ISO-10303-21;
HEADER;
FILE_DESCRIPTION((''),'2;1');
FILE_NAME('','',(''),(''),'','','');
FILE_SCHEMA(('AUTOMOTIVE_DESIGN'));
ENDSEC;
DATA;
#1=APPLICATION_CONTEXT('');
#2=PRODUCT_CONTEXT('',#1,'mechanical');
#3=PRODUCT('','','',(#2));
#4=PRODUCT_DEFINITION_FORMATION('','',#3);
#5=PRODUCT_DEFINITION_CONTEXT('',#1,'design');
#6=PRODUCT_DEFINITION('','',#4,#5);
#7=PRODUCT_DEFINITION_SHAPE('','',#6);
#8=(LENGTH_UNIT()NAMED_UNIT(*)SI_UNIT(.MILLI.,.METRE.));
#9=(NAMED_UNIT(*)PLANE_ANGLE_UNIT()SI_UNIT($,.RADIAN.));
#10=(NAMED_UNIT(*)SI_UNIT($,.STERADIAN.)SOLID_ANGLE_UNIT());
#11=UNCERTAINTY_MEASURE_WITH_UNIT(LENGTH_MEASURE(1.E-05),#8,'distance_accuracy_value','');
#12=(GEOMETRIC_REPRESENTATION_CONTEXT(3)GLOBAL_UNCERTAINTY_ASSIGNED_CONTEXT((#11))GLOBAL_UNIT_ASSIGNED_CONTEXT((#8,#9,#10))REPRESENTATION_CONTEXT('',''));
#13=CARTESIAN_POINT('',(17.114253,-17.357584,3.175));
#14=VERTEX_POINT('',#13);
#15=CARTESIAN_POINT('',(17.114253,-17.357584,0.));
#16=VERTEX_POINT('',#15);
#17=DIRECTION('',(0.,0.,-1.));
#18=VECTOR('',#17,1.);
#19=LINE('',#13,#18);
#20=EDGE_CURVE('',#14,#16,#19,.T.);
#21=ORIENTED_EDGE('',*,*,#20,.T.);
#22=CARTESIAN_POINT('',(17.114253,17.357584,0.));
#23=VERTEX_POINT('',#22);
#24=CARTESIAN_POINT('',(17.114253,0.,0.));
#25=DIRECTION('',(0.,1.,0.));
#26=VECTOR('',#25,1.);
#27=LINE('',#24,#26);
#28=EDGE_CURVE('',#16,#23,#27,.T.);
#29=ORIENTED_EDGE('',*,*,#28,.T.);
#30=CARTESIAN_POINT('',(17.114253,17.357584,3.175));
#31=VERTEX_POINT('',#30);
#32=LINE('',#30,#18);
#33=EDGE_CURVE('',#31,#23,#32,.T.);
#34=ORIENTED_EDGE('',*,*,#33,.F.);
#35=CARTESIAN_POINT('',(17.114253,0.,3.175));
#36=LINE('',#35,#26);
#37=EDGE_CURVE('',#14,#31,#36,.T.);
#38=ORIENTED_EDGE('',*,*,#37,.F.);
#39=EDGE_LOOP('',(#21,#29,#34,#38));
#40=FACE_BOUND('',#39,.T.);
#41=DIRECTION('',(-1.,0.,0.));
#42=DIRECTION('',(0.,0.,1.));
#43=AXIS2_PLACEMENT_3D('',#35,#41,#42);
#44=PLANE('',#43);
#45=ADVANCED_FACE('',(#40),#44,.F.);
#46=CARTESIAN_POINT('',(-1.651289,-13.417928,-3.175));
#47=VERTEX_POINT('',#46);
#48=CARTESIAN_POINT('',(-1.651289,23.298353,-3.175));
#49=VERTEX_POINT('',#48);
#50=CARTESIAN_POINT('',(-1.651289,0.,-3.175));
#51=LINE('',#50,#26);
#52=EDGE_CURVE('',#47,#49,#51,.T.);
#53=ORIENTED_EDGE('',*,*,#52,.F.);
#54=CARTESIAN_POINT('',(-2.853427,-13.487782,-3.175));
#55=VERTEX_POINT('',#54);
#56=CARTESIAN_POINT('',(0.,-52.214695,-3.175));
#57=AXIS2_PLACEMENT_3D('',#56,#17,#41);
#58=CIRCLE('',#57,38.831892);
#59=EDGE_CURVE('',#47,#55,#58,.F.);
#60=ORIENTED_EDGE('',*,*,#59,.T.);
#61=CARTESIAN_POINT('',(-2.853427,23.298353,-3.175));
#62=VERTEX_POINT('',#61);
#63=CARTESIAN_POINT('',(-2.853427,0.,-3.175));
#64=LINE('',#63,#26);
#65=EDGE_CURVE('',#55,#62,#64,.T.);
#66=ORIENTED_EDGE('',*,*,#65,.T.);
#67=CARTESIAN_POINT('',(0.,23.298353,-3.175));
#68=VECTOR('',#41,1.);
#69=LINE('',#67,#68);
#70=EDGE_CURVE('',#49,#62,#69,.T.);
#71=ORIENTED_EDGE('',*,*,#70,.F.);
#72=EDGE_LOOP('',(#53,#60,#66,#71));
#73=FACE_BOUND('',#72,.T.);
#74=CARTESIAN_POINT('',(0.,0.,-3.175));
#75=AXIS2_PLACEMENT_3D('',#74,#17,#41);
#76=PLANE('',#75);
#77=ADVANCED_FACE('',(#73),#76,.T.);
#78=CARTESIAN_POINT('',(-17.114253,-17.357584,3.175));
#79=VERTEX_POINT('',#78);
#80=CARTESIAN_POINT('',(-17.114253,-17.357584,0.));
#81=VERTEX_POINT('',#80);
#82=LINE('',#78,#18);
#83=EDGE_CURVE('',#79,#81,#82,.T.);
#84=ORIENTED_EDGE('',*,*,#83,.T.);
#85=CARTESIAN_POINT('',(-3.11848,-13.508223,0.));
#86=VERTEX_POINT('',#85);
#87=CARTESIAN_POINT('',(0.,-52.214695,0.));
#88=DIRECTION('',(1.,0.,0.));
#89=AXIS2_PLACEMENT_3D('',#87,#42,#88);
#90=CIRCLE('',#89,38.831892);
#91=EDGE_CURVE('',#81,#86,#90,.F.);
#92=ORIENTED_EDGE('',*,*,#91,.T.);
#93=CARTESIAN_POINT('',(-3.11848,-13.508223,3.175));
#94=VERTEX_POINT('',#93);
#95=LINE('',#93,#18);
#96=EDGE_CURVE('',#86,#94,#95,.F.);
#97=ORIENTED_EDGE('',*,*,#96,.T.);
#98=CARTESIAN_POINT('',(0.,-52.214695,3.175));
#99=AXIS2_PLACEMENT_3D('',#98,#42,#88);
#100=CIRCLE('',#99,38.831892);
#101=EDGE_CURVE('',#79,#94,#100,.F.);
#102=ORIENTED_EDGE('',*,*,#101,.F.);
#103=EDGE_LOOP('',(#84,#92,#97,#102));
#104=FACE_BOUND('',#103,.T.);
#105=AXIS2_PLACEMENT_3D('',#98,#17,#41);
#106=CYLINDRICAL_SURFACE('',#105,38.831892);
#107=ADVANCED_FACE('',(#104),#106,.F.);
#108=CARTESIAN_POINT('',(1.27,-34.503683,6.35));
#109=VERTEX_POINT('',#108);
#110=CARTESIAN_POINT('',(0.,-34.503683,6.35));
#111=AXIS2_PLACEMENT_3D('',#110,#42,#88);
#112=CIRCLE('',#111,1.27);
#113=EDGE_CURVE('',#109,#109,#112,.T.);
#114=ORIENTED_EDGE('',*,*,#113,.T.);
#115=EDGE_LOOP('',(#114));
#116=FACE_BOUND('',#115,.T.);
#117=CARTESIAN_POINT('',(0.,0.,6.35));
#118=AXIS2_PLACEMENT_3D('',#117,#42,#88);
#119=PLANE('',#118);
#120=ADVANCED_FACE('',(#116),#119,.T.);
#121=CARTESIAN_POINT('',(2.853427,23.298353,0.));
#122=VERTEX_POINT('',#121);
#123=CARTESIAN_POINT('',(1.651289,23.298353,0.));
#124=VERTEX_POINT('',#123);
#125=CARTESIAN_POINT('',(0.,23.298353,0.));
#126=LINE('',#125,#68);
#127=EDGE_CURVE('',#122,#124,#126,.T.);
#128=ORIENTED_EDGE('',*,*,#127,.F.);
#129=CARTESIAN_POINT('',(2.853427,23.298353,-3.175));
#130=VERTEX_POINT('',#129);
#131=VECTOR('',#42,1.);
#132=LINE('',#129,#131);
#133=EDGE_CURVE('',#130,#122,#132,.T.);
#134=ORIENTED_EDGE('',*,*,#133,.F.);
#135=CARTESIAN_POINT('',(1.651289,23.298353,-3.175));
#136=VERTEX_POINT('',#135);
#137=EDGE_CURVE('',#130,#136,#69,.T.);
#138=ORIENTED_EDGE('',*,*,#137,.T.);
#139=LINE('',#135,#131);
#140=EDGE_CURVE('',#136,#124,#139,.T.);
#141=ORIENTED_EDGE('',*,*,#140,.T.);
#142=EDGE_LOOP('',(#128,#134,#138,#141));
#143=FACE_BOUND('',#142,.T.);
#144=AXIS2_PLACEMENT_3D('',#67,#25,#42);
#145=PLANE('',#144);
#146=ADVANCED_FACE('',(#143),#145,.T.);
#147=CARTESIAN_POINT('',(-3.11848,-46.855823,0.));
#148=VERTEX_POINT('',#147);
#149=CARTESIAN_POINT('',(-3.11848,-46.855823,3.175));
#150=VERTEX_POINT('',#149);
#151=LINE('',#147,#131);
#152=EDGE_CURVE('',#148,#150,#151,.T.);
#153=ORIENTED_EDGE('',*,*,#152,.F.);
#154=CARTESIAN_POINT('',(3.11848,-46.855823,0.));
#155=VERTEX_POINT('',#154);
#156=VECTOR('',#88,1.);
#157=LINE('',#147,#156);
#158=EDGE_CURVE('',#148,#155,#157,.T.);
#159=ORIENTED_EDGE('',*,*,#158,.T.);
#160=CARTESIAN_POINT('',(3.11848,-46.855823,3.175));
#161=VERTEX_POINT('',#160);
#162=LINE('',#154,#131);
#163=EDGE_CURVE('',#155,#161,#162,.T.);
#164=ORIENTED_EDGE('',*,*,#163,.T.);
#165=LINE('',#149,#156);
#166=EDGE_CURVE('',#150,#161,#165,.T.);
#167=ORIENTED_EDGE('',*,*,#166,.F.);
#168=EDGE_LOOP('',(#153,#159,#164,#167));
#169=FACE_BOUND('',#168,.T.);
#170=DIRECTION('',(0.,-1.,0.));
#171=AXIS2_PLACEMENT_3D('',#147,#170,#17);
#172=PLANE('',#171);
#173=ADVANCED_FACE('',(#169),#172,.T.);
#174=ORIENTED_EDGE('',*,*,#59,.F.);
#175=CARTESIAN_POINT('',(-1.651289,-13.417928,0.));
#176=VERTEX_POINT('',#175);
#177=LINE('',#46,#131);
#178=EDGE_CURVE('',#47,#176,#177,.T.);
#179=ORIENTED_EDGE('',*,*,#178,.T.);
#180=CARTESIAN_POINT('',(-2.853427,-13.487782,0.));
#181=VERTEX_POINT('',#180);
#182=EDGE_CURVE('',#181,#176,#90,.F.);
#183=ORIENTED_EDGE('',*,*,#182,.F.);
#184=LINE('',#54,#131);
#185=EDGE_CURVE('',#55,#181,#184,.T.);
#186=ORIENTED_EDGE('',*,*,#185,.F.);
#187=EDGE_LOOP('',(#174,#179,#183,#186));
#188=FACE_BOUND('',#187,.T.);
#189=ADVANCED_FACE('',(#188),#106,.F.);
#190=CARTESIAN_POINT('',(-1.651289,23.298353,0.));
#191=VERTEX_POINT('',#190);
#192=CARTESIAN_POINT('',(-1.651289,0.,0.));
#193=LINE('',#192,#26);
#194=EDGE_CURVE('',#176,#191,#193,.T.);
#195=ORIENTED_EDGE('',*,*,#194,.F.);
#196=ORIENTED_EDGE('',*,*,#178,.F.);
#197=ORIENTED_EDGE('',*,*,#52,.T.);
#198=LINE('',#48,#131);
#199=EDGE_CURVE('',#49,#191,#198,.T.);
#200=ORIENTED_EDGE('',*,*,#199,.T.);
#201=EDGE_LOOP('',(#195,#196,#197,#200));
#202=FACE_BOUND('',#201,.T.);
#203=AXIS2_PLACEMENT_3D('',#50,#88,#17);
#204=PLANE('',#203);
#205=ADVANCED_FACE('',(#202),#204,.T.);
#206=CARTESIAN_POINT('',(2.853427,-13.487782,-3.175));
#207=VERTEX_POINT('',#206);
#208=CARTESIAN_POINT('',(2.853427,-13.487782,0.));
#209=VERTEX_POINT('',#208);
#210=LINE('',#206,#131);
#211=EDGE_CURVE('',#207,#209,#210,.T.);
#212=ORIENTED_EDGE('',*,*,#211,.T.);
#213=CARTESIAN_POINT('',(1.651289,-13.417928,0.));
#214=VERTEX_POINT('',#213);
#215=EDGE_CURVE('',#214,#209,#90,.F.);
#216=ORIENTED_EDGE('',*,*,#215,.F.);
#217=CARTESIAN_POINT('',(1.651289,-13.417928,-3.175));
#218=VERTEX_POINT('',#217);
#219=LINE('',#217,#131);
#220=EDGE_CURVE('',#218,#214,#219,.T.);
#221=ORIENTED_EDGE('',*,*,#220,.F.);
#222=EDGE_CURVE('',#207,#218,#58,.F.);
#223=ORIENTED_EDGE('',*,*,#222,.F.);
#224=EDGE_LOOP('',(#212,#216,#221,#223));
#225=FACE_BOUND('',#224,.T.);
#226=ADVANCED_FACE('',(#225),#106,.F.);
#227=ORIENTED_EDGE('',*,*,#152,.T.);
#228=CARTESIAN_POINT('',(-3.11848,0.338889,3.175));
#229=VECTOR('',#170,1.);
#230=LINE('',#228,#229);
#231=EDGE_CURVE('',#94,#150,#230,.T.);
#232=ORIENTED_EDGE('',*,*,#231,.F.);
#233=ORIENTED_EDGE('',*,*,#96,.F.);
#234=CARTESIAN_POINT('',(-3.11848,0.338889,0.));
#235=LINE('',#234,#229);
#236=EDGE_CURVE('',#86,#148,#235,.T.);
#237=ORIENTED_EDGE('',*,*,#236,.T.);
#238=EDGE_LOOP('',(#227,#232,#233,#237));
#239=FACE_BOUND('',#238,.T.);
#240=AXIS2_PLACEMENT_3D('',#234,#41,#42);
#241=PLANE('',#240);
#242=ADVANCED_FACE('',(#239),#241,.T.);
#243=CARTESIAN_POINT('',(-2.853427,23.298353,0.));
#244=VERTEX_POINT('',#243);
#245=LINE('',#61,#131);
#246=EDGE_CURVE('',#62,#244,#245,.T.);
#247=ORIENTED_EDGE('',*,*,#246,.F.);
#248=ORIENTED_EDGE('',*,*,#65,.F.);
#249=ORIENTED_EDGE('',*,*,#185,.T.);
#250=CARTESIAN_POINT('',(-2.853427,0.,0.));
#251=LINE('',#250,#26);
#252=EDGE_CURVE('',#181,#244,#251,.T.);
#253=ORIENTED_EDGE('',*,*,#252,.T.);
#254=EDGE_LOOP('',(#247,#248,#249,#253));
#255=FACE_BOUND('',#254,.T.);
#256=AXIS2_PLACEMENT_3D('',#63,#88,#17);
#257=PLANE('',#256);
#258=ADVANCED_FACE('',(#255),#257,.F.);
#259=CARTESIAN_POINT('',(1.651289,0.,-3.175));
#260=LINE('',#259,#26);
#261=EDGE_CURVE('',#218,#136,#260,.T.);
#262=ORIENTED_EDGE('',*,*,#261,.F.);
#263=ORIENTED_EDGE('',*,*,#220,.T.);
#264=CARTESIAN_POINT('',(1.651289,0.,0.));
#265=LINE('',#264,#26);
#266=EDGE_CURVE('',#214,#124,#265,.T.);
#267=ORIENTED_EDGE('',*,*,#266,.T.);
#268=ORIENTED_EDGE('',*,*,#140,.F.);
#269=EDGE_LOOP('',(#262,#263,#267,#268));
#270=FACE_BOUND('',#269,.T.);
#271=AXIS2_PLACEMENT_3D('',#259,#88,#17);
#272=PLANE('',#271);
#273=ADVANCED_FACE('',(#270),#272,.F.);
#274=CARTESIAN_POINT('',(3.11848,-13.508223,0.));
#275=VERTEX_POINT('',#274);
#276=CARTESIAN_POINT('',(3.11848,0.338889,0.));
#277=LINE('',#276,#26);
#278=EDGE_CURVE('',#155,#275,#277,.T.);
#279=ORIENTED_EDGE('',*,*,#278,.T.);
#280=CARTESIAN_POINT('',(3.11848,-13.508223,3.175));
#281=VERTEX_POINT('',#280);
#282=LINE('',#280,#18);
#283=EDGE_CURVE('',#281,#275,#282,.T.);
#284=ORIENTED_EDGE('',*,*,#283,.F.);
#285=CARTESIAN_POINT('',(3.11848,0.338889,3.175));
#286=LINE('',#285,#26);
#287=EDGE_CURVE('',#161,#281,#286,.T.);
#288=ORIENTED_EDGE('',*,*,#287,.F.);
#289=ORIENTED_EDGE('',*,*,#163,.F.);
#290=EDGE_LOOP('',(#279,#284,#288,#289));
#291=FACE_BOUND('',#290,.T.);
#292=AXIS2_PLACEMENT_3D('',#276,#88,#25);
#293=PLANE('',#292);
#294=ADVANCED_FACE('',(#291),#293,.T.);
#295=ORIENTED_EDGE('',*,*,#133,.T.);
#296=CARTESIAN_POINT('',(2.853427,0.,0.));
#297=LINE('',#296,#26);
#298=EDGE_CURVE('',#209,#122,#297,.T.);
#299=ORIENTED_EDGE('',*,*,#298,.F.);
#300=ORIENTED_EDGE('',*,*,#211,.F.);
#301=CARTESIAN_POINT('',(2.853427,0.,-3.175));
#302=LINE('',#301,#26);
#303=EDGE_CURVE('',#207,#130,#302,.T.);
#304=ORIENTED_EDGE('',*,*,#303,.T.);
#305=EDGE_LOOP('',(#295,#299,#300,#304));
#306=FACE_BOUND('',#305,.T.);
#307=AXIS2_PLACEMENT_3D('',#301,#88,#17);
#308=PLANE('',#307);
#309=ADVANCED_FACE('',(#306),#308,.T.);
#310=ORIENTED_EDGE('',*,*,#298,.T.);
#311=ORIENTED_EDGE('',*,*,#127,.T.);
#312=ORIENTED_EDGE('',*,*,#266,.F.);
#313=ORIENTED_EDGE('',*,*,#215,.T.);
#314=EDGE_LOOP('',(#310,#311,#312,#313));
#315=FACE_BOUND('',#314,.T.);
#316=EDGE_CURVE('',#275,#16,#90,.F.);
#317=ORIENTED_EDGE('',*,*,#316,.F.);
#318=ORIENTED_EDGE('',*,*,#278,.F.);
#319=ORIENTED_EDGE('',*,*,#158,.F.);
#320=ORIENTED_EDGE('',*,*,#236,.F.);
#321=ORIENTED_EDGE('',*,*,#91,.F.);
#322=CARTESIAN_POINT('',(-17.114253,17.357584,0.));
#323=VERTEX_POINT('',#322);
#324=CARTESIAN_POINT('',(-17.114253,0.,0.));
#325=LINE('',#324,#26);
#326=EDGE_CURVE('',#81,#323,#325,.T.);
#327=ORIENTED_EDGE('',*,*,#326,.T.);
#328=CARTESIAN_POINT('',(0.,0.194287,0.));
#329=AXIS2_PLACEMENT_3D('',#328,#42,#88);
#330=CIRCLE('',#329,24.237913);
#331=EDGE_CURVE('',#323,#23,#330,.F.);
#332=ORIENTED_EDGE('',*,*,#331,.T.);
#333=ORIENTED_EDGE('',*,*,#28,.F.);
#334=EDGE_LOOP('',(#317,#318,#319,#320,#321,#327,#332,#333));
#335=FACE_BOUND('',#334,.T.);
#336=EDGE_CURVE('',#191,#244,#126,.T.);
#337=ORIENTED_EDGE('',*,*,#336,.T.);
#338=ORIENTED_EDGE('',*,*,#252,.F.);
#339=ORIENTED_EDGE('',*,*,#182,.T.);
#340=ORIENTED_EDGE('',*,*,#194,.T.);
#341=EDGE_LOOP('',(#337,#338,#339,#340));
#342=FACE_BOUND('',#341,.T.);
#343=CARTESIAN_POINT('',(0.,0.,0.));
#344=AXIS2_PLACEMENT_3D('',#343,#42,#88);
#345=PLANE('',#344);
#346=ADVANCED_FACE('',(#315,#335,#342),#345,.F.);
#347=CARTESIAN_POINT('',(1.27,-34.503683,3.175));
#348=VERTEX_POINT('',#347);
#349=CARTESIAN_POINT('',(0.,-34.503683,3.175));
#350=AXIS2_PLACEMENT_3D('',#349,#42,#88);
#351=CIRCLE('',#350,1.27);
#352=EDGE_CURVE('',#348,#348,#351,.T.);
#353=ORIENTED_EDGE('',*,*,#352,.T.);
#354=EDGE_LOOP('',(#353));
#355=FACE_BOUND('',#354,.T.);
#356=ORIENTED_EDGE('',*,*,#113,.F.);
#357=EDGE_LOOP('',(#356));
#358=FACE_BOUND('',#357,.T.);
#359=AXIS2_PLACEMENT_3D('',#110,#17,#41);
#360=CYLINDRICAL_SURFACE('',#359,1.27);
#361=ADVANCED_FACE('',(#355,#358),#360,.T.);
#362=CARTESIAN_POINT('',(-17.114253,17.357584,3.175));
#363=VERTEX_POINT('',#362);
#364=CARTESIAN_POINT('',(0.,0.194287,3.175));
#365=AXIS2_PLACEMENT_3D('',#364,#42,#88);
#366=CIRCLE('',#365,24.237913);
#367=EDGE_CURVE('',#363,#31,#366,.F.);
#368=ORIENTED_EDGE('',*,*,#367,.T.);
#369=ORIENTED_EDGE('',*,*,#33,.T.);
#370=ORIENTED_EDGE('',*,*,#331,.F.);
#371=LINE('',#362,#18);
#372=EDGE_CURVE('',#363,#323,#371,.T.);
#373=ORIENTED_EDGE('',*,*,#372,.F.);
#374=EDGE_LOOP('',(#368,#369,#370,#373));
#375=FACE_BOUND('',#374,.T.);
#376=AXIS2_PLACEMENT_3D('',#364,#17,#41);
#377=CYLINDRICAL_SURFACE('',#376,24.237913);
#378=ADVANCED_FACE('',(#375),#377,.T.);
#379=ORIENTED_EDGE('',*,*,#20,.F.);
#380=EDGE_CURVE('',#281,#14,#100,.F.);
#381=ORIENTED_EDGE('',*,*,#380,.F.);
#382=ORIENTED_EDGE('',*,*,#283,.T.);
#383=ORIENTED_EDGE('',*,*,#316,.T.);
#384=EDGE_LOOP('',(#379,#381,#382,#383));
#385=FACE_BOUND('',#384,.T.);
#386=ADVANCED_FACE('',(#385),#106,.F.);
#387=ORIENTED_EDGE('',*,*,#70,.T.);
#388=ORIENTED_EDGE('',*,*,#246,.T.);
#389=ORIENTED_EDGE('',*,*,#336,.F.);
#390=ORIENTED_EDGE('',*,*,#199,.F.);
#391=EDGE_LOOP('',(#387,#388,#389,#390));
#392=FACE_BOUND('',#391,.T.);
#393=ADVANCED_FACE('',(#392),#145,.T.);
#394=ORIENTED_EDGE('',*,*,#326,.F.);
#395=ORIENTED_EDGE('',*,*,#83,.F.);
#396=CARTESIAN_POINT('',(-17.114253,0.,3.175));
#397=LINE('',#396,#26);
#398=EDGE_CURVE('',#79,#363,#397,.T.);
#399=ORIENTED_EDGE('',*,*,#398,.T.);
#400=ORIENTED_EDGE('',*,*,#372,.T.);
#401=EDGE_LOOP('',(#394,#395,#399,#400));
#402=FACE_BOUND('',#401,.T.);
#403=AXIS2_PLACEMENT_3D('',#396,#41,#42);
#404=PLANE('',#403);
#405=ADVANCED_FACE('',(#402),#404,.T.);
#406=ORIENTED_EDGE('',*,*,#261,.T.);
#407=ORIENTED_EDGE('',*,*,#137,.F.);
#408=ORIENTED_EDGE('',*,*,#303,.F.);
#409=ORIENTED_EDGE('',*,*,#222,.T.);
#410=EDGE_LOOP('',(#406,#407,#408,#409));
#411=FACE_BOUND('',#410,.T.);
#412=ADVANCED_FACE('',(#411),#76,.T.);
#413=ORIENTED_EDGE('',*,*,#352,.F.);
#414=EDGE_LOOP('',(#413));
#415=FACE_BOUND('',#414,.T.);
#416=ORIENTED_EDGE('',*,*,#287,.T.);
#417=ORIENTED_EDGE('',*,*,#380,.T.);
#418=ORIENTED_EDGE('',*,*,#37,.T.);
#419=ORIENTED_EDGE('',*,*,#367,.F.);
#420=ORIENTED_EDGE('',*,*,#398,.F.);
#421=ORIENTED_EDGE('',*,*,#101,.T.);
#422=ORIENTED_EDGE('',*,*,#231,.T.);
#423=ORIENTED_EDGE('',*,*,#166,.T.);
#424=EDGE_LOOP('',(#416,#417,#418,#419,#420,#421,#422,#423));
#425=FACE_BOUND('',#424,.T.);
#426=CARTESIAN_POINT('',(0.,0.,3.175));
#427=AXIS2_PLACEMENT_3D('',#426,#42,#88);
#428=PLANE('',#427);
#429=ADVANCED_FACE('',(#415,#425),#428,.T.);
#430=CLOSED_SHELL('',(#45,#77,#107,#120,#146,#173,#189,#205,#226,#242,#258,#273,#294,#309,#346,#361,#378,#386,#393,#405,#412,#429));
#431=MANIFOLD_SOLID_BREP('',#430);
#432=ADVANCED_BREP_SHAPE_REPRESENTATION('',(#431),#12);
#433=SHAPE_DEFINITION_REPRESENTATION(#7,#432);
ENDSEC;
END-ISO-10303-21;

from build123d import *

# Parameters (mm, degrees)
BOSS_EXTRUDE1_DEPTH = 3.175
BOSS_EXTRUDE2_DEPTH = 3.175
SKETCH3_W           = 6.236959702
SKETCH3_H           = 47.194711522
BOSS_EXTRUDE3_DEPTH = 3.175
SKETCH4_R           = 1.27
BOSS_EXTRUDE4_DEPTH = 3.175


with BuildPart() as part:
    # Sketch1 → Boss-Extrude1 (new body)
    with BuildSketch(Plane.XY):
        with BuildLine():
            Line((-17.114253333, -17.357583949), (-17.114253333, 17.357583949))
            ThreePointArc((-17.114253333, 17.357583949), (0, 24.432200125), (17.114253333, 17.357583949))
            Line((17.114253333, 17.357583949), (17.114253333, -17.357583949))
            ThreePointArc((17.114253333, -17.357583949), (0, -13.382802691), (-17.114253333, -17.357583949))
        make_face()
    extrude(amount=BOSS_EXTRUDE1_DEPTH)

    # Sketch2 → Boss-Extrude2 (add)
    with BuildSketch(Plane(origin=(0, 0, 0), x_dir=(-1, 0, 0), z_dir=(0, 0, -1))):
        with BuildLine():
            Line((-1.65128862, -13.417928303), (-1.65128862, 22.268343179))
            Line((-1.65128862, 22.268343179), (-1.65128862, 23.29835294))
            Line((-1.65128862, 23.29835294), (-2.853426735, 23.29835294))
            Line((-2.853426735, 23.29835294), (-2.853426735, -13.48778167))
            ThreePointArc((-2.853426735, -13.48778167), (-2.25262846, -13.448194961), (-1.65128862, -13.417928303))
        make_face()
        with BuildLine():
            Line((1.65128862, 23.29835294), (1.65128862, 22.268343179))
            Line((1.65128862, 22.268343179), (1.65128862, -13.417928303))
            ThreePointArc((1.65128862, -13.417928303), (2.25262846, -13.448194961), (2.853426735, -13.48778167))
            Line((2.853426735, -13.48778167), (2.853426735, 23.29835294))
            Line((2.853426735, 23.29835294), (1.65128862, 23.29835294))
        make_face()
    extrude(amount=BOSS_EXTRUDE2_DEPTH)

    # Sketch3 → Boss-Extrude3 (add)
    with BuildSketch(Plane.XY.offset(3.175)):
        with Locations((0, -23.258467244)):
            Rectangle(SKETCH3_W, SKETCH3_H)
    extrude(amount=-BOSS_EXTRUDE3_DEPTH)

    # Sketch4 → Boss-Extrude4 (add)
    with BuildSketch(Plane.XY.offset(3.175)):
        with Locations((0, -34.503683415)):
            Circle(SKETCH4_R)
    extrude(amount=BOSS_EXTRUDE4_DEPTH)


solid = part.part
